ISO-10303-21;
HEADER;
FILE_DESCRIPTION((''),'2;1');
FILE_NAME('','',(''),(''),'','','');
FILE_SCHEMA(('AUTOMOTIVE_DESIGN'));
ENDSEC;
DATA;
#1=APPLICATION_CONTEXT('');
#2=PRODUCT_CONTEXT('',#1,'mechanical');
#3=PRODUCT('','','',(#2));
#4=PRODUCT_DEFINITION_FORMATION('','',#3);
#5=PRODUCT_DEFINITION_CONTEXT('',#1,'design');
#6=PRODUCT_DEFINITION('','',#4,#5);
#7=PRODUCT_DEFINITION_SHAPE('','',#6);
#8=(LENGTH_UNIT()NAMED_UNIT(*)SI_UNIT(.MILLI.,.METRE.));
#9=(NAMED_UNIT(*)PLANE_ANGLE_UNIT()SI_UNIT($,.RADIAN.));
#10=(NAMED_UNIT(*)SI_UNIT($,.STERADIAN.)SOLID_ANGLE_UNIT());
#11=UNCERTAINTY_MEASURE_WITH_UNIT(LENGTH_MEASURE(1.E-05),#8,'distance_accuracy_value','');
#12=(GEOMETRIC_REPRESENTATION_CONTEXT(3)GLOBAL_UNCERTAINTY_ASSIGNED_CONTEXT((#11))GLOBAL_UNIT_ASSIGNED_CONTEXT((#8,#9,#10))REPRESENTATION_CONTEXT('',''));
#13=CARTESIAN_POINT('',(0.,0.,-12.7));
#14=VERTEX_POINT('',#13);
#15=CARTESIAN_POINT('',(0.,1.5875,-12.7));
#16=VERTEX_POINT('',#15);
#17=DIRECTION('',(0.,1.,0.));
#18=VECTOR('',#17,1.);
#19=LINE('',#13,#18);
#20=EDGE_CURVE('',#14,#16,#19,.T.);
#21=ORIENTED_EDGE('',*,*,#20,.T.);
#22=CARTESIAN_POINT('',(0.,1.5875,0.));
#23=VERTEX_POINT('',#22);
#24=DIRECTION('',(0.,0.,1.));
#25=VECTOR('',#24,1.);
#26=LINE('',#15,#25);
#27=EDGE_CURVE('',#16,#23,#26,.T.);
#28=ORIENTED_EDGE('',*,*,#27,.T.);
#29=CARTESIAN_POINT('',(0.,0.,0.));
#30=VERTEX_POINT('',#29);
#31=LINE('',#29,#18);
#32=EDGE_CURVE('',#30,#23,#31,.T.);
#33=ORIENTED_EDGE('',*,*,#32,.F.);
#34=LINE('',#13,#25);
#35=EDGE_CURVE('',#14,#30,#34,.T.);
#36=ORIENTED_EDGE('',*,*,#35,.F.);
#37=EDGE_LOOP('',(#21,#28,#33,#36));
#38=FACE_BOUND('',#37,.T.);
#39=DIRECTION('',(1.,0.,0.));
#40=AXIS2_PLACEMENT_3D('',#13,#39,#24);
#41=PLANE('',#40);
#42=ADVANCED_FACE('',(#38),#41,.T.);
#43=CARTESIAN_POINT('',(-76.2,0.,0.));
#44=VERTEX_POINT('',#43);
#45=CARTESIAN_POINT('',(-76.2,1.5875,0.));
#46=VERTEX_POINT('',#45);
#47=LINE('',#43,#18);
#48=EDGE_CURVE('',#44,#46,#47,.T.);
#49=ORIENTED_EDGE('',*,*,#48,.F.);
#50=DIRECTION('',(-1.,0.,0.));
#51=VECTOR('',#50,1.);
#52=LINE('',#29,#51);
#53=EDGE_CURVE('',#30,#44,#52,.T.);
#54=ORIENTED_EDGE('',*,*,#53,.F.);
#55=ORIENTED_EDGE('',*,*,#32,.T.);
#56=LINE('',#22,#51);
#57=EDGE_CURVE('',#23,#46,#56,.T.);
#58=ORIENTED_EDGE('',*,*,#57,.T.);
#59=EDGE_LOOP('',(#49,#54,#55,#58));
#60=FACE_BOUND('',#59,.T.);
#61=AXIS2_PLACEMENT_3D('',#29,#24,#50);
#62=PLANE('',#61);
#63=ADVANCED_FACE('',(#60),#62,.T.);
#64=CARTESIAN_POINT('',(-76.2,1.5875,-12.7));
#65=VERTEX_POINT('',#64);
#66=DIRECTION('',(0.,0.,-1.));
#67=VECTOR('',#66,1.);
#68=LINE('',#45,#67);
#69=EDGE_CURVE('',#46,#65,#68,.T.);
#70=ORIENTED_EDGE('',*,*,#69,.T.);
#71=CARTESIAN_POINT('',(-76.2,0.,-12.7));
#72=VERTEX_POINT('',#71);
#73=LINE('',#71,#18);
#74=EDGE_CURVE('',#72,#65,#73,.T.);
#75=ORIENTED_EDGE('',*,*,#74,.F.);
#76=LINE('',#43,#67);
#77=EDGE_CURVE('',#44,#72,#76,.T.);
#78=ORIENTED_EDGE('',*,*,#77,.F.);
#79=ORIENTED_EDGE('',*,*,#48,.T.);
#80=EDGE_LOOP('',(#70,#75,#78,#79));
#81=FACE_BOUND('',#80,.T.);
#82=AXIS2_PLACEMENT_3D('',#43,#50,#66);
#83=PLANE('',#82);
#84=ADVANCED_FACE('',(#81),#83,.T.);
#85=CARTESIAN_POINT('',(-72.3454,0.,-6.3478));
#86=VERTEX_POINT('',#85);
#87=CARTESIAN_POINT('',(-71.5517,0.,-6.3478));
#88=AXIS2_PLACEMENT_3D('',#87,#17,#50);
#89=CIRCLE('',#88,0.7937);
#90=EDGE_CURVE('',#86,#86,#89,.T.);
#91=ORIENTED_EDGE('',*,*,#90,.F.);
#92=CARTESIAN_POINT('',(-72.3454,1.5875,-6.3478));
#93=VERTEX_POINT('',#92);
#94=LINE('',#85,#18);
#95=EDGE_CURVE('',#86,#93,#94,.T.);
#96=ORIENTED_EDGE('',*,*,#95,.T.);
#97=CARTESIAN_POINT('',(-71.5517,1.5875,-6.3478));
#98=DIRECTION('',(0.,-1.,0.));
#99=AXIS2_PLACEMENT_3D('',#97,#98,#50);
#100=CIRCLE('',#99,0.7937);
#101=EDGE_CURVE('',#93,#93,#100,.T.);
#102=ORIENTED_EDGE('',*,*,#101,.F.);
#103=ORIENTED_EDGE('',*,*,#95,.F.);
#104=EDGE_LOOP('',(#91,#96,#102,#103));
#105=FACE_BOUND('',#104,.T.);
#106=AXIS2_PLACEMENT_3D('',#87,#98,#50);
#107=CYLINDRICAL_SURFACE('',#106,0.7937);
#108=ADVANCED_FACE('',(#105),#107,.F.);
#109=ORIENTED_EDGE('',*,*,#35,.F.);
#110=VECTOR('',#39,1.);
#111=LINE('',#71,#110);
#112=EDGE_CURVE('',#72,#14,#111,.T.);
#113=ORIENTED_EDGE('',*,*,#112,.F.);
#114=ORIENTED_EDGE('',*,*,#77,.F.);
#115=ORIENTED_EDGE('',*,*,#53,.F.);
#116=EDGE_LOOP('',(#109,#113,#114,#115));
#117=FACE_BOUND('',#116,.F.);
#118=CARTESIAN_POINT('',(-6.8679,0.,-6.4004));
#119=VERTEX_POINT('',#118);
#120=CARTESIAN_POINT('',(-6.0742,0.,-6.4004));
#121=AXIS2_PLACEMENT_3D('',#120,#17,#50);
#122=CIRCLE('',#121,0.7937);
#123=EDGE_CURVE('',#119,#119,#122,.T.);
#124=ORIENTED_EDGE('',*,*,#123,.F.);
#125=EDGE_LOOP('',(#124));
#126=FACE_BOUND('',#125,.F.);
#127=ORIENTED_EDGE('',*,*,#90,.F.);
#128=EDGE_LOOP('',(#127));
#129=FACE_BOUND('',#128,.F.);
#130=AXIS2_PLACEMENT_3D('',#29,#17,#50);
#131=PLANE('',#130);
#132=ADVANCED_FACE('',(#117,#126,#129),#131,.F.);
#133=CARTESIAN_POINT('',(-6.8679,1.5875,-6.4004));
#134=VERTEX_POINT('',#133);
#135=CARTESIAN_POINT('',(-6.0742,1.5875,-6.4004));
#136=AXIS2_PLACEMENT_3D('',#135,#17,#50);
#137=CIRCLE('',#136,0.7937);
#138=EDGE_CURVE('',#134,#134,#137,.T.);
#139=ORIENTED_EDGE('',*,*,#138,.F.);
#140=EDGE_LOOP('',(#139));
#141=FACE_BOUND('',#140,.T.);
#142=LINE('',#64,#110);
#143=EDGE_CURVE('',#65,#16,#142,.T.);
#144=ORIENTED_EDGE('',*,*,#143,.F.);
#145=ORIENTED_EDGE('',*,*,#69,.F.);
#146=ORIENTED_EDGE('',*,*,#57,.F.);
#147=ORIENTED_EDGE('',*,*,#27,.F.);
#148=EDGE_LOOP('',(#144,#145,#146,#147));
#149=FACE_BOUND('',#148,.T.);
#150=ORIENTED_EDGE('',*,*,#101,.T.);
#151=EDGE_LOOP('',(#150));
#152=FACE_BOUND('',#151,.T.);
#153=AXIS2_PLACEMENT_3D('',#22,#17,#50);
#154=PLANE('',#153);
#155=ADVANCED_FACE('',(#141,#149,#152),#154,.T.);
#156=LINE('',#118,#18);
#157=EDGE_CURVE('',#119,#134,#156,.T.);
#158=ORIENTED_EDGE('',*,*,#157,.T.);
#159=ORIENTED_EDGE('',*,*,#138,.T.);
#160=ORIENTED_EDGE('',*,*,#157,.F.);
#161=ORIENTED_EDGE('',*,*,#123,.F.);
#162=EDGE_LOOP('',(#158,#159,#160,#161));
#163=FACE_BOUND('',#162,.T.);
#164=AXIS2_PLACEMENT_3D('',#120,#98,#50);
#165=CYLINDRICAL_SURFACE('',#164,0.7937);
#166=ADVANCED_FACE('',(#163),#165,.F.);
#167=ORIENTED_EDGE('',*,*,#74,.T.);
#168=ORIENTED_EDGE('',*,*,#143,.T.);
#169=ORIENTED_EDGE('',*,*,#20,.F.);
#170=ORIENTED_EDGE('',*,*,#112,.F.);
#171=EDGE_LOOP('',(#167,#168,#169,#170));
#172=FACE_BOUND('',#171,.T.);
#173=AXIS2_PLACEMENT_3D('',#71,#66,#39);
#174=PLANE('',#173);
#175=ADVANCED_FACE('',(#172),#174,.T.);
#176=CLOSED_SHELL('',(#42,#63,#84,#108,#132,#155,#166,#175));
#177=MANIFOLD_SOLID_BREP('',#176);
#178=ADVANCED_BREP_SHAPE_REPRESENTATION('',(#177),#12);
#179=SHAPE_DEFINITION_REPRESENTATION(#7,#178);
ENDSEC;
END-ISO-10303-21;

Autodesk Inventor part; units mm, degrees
ref_plane "YZ Plane" through (0, 0, 0) normal (1, 0, 0) x (0, 1, 0)
ref_plane "XZ Plane" through (0, 0, 0) normal (0, 1, 0) x (-1, 0, 0)
ref_plane "XY Plane" through (0, 0, 0) normal (0, 0, 1) x (1, 0, 0)
sketch "Sketch1" plane through (0, 0, 0) normal (0, 1, 0) x (-1, 0, 0)
  line L0 (0, 0) -> (76.2, 0)
  line L1 (76.2, 0) -> (76.2, -12.7)
  line L2 (76.2, -12.7) -> (0, -12.7)
  line L3 (0, -12.7) -> (0, 0)
  dimension "d0" = 76.2
  dimension "d1" = 12.7
sketch "Sketch2" plane through (0, 0, 0) normal (0, 1, 0) x (-1, 0, 0)
  circle A0 centre (71.5517, -6.3478) radius 0.7937
  line L0 (70.7579, -6.3478) -> (7.2579, -6.3478)
  circle A1 centre (6.0742, -6.4004) radius 0.7937
  point P0 (0, 0)
  point P1 (72.2309, -10.2346)
  point P2 (6.6877, -6.9041)
  dimension "d2" = 1.5875
  dimension "d6" = 1.5875
  dimension "d3" = 63.5
extrude "Extrusion1" add sketch "Sketch1" along normal blind 1.5875
extrude "Extrusion2" cut sketch "Sketch2" along normal blind 1.5875
properties part number "6holepolycarb"
